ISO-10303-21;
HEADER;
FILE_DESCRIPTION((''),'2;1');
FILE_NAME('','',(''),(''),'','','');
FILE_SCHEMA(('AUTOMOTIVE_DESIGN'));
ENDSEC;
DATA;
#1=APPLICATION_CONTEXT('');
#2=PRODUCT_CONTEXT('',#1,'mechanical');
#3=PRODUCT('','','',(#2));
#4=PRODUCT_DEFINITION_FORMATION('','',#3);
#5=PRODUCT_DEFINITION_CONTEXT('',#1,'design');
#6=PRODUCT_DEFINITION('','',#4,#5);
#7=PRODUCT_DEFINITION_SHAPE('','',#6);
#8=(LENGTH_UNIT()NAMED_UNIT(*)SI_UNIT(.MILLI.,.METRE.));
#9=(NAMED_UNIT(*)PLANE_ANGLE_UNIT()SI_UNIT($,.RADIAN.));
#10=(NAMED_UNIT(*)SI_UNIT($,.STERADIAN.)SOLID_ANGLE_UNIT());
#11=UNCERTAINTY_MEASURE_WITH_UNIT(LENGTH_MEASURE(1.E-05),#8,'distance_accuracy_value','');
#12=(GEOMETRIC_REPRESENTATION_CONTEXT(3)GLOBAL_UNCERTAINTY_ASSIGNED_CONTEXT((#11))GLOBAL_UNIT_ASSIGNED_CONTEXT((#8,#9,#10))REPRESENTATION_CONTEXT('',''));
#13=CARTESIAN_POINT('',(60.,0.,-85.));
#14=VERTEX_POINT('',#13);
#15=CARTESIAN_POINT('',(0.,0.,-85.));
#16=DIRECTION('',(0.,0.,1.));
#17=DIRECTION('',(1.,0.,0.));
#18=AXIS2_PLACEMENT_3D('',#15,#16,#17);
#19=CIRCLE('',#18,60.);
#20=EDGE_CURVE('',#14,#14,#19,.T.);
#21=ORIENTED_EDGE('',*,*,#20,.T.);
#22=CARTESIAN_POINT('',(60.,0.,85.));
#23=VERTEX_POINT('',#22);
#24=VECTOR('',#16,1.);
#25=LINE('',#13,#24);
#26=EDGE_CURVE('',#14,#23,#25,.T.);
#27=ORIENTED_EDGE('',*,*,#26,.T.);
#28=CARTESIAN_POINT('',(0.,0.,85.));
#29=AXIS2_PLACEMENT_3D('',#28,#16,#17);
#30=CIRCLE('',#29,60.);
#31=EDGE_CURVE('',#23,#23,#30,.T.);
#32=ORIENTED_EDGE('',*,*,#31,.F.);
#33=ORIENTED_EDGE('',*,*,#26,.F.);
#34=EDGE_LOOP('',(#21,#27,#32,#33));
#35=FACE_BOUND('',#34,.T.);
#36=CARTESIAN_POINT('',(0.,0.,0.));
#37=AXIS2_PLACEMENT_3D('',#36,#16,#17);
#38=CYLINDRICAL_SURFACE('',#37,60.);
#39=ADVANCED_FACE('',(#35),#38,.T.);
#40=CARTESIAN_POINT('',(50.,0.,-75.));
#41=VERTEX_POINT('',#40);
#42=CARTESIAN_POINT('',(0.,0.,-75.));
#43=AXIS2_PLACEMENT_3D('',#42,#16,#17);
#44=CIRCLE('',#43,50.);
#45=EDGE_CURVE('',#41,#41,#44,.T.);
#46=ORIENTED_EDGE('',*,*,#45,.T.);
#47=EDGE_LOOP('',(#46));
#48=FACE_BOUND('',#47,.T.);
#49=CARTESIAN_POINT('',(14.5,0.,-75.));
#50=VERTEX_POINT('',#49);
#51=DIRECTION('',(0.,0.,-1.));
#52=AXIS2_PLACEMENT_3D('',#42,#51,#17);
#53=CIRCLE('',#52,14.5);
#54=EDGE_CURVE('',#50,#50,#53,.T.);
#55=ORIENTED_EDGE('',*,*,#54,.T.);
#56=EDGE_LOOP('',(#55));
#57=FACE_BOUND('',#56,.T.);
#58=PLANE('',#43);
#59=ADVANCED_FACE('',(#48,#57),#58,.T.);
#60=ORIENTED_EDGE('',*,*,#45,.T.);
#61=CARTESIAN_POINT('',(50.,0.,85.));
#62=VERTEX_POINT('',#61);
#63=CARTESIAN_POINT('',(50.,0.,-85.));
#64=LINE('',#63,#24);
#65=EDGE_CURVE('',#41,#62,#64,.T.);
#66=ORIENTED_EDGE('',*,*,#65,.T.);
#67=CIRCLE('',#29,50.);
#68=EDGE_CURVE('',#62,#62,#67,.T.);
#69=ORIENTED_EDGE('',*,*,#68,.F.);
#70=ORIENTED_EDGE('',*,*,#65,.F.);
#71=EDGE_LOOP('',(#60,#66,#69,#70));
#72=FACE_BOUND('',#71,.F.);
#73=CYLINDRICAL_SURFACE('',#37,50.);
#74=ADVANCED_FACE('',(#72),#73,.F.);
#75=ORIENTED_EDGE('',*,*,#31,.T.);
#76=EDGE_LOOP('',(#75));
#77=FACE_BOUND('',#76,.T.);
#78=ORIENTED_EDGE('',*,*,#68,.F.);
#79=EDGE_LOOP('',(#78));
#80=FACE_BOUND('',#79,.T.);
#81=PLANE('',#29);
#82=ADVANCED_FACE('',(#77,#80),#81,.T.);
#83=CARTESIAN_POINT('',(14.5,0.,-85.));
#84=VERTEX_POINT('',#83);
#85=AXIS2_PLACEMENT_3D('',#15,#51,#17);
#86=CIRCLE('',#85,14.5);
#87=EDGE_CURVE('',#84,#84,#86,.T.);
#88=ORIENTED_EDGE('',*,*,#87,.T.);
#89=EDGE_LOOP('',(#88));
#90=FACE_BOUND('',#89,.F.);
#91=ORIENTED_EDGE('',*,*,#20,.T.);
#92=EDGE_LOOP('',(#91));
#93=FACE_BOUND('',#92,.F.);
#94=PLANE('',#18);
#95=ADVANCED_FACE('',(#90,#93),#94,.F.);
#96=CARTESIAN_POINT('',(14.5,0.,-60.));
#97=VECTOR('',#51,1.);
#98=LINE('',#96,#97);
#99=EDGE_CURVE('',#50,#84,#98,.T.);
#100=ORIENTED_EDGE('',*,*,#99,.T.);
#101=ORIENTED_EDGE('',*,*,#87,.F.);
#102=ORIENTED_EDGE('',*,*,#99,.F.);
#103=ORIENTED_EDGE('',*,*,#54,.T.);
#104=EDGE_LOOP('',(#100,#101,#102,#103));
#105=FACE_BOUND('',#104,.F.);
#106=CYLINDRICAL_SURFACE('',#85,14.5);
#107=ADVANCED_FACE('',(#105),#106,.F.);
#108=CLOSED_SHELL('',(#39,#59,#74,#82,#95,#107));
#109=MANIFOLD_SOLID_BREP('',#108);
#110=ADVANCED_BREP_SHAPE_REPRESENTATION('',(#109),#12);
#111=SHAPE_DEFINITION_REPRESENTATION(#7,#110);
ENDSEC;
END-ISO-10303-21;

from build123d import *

# Parameters (mm, degrees)
F0_R     = 60
F1_DEPTH = 85
F2_T     = -10
F3_R     = 14.5
F4_DEPTH = 25


with BuildPart() as f1:
    # F0 (on Top) → F1 (new body, symmetric)
    with BuildSketch(Plane.XY):
        Circle(F0_R)
    extrude(amount=F1_DEPTH, both=True)

    # F2
    f2_openings = [f1.faces().sort_by_distance(p)[0] for p in [
        (0, 0, 85),
    ]]
    offset(amount=F2_T, openings=f2_openings)

    # F3 (on face) → F4 (cut, symmetric)
    with BuildSketch(Plane(origin=(0, 0, -85), x_dir=(1, 0, 0), z_dir=(0, 0, -1))):
        Circle(F3_R)
    extrude(amount=F4_DEPTH, both=True, mode=Mode.SUBTRACT)


solid = f1.part
